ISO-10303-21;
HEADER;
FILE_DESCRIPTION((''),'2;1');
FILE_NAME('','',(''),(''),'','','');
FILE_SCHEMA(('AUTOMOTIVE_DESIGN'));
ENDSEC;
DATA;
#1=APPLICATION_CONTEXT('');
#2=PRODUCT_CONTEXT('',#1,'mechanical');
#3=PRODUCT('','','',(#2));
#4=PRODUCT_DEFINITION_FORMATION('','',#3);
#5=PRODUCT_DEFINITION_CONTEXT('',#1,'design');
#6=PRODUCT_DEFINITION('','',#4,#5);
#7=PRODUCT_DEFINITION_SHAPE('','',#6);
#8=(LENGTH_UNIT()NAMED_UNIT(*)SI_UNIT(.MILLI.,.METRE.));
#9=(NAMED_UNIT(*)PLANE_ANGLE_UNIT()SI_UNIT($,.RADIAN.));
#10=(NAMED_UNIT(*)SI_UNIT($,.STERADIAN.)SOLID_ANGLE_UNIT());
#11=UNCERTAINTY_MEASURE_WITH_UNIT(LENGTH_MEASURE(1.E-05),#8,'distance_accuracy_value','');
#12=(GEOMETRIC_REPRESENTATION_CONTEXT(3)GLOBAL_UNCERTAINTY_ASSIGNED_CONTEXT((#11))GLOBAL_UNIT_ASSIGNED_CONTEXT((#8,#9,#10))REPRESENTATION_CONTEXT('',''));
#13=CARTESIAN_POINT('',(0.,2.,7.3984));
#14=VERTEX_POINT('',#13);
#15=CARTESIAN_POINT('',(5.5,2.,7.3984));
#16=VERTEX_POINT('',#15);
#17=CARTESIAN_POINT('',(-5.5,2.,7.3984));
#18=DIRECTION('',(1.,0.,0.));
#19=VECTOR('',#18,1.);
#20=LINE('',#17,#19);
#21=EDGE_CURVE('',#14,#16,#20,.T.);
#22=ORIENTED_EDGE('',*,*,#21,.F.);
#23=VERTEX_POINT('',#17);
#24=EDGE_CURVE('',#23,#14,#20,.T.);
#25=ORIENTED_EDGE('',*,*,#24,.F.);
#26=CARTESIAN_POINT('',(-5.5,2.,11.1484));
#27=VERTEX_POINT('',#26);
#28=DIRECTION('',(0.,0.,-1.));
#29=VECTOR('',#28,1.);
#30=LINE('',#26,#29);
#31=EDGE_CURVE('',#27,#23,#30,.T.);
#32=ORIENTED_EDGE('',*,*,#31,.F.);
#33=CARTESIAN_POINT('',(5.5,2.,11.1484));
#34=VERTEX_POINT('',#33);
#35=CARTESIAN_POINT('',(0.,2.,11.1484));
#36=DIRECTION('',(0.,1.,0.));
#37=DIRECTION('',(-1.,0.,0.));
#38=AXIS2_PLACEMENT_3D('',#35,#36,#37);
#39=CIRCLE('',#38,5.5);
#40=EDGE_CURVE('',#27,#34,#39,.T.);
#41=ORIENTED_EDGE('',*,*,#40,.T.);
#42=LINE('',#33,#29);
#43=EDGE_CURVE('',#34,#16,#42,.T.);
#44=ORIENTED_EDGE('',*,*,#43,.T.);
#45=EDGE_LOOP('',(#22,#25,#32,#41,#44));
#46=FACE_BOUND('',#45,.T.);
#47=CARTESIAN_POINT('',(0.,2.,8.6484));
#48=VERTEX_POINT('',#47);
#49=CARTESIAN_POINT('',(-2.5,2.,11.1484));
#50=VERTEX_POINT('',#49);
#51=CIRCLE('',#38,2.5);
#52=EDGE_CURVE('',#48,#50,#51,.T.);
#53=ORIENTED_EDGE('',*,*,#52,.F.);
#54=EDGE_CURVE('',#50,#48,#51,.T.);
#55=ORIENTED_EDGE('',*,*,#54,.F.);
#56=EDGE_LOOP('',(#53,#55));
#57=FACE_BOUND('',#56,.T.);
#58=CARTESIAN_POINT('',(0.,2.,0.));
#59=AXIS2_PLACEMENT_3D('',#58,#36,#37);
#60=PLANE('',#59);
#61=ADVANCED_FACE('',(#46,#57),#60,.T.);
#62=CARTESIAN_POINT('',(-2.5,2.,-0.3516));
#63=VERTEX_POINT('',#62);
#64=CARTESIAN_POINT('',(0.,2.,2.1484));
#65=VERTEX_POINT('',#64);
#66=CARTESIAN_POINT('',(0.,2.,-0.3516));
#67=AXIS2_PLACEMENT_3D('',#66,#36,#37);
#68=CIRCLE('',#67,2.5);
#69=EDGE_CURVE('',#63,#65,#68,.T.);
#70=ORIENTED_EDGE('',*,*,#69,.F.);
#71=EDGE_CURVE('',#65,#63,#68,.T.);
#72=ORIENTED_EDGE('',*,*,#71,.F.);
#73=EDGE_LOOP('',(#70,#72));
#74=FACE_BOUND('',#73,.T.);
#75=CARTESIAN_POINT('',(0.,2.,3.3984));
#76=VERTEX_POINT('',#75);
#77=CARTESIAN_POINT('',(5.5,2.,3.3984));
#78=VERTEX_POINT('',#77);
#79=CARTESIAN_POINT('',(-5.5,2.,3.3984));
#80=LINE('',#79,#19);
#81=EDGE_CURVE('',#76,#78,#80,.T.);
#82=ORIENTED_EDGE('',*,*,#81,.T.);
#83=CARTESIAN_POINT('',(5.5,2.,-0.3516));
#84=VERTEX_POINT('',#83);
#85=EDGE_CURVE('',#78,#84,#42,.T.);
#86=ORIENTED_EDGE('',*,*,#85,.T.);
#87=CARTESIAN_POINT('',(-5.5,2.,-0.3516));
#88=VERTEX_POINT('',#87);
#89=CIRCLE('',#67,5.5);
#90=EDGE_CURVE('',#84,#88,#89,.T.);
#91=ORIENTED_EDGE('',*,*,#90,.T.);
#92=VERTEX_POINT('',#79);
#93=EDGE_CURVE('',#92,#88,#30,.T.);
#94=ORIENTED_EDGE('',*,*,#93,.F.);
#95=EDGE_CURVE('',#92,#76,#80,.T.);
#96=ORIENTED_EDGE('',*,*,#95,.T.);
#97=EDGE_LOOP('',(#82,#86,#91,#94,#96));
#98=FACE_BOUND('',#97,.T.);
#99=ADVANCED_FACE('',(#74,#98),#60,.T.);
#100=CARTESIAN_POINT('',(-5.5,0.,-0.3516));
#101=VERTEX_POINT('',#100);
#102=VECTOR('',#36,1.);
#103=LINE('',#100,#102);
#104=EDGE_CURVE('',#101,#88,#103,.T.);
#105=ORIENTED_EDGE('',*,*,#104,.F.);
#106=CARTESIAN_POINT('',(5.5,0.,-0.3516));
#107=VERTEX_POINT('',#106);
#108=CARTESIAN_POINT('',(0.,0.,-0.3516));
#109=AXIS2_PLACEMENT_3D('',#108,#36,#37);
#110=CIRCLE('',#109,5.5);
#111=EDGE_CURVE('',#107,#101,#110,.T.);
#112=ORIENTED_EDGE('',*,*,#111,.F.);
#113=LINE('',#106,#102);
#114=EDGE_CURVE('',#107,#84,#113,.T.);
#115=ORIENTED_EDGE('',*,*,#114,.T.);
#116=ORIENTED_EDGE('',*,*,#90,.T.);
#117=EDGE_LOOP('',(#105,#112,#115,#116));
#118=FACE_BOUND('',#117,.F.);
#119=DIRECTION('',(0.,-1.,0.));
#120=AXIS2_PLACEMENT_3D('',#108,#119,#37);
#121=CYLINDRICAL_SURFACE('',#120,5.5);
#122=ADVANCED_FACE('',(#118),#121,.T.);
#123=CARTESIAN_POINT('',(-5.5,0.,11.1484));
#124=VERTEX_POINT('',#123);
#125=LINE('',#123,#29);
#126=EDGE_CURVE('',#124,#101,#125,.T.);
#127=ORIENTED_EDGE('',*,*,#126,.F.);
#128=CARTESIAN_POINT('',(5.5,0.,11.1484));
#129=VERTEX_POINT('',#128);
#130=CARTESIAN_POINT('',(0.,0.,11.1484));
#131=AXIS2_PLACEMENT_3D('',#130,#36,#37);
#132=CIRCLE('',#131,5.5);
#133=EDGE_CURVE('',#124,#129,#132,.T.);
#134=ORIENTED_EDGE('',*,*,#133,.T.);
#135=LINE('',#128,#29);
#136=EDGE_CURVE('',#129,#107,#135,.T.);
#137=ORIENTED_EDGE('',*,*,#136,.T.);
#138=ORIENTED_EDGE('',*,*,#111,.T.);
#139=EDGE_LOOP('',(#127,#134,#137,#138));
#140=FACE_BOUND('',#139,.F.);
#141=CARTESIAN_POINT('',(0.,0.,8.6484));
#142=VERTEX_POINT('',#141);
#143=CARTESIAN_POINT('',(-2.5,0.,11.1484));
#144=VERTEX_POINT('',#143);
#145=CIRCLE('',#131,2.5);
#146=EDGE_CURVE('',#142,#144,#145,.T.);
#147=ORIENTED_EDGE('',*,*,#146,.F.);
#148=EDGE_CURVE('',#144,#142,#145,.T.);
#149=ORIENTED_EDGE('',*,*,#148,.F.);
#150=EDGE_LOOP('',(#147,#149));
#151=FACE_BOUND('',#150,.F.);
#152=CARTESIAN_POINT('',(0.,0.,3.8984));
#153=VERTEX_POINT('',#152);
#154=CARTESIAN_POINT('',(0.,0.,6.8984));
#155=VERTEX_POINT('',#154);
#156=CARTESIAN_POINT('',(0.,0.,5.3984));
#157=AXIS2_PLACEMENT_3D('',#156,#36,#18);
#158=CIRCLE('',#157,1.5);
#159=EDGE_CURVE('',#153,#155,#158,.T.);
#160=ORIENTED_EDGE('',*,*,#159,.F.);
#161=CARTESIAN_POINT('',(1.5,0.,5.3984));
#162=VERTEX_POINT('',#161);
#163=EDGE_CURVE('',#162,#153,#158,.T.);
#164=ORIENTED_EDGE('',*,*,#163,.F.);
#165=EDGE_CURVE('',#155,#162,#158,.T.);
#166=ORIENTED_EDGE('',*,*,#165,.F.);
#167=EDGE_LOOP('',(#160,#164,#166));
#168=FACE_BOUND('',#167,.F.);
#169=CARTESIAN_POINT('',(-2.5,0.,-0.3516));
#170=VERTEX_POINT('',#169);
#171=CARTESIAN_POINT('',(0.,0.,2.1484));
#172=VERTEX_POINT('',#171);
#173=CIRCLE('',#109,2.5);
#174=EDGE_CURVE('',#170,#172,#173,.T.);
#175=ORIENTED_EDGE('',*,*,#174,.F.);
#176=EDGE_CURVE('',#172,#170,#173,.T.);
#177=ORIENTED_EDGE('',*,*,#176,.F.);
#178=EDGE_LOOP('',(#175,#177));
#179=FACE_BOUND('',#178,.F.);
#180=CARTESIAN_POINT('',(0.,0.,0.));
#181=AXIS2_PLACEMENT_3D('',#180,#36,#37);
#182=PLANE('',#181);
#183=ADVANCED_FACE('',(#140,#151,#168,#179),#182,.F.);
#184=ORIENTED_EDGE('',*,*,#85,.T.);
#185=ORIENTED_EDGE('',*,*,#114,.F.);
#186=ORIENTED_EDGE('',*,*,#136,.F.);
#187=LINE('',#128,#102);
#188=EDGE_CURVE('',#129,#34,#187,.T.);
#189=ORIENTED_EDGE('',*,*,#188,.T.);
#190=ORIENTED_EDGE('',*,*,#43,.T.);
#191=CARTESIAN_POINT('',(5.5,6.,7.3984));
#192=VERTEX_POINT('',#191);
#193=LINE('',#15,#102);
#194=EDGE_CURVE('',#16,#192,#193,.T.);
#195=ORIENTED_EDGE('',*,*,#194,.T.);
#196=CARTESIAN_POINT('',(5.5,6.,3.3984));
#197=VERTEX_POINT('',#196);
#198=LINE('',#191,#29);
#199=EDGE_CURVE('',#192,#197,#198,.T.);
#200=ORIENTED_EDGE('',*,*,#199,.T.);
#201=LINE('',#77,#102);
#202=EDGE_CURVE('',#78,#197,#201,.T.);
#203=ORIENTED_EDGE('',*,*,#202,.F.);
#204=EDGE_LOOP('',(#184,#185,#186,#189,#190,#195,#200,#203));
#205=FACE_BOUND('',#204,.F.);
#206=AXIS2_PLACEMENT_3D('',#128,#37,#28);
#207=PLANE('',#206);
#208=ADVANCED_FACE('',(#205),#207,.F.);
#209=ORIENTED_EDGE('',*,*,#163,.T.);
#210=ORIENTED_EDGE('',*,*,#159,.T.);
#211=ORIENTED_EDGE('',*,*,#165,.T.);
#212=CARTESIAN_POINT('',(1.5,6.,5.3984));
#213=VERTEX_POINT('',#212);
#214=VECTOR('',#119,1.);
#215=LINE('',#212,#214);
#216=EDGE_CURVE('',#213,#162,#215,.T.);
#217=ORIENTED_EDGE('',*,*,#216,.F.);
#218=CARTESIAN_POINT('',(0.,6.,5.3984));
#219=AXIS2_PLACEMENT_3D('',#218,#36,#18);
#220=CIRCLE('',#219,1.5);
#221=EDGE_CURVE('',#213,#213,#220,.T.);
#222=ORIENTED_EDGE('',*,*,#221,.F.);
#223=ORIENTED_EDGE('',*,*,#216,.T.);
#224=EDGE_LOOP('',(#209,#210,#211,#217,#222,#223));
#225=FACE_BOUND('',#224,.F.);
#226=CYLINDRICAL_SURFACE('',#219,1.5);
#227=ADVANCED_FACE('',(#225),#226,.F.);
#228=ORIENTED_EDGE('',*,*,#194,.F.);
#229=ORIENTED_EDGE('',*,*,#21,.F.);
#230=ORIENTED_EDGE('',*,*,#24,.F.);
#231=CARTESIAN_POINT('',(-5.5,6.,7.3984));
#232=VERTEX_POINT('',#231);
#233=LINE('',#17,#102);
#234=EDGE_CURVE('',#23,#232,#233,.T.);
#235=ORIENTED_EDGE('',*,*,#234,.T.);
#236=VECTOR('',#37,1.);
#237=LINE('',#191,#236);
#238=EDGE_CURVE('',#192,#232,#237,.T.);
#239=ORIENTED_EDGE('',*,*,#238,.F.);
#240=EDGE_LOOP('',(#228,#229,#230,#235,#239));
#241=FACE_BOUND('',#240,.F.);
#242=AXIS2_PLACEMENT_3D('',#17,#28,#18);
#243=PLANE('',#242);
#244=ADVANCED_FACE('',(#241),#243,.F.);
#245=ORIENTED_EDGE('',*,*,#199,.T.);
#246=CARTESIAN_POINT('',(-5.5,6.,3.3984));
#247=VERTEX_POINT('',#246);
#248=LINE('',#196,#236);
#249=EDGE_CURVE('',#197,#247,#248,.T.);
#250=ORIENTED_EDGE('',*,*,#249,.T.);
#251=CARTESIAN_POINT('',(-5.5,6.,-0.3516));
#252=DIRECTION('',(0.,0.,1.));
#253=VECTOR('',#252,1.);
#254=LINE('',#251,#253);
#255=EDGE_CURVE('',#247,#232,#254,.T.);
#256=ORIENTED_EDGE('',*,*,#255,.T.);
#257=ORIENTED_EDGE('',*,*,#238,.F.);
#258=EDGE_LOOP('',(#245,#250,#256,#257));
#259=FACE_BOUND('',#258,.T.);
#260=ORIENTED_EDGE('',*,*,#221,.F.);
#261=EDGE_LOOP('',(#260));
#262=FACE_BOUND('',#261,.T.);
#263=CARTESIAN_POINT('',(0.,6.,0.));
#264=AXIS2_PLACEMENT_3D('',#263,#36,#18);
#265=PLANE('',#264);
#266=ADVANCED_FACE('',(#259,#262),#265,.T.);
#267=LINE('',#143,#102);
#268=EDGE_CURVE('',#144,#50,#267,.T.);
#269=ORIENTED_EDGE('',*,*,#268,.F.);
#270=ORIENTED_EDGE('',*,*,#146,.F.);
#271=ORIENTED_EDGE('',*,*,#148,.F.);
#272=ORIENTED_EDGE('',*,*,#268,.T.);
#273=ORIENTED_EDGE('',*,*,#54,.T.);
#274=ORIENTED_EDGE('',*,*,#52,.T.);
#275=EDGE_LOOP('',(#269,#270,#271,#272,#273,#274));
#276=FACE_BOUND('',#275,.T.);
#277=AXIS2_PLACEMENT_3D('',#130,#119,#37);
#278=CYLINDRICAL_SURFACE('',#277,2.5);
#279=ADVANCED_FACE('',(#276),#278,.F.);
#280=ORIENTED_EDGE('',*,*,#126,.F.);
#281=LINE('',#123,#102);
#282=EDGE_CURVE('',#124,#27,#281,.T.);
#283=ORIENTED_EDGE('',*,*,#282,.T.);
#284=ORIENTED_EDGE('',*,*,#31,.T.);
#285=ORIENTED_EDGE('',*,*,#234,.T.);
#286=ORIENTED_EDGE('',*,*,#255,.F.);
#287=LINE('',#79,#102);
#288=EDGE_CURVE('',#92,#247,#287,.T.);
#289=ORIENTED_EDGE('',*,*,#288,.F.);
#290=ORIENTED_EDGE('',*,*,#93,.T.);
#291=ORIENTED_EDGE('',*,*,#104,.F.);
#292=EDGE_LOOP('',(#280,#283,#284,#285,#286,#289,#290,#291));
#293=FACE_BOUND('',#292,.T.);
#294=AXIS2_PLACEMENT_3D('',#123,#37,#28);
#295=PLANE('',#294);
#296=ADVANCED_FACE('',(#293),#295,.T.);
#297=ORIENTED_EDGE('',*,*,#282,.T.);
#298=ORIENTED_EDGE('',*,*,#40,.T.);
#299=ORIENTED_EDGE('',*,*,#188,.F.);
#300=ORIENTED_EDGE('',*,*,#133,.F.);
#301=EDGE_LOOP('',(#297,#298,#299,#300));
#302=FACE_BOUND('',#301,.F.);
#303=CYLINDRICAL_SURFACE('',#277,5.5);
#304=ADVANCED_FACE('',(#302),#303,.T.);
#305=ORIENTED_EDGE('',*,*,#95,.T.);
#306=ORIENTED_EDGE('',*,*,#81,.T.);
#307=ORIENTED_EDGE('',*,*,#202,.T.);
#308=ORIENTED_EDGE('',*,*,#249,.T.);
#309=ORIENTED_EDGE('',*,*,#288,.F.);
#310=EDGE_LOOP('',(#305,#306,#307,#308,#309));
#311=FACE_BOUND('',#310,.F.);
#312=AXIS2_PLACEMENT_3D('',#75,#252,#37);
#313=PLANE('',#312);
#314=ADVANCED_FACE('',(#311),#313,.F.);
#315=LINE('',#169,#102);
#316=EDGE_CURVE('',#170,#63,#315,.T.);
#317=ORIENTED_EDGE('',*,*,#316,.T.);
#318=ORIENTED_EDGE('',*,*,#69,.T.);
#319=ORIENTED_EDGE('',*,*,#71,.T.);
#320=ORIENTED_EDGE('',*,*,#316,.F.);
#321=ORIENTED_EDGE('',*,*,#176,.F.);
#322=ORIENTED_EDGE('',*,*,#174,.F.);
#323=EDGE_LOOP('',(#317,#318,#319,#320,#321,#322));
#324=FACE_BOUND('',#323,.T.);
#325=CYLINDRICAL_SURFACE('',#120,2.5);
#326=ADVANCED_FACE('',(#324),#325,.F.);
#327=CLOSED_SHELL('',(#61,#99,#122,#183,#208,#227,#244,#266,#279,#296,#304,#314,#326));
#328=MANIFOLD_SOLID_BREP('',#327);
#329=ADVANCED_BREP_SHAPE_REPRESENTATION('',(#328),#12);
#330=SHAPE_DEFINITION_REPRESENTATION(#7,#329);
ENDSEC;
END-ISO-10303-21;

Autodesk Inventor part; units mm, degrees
ref_plane "YZ Plane" through (0, 0, 0) normal (1, 0, 0) x (0, 1, 0)
ref_plane "XZ Plane" through (0, 0, 0) normal (0, 1, 0) x (-1, 0, 0)
ref_plane "XY Plane" through (0, 0, 0) normal (0, 0, 1) x (1, 0, 0)
sketch "Sketch1" plane through (0, 0, 0) normal (0, 1, 0) x (-1, 0, 0)
  circle A0 centre (0, 11.1484) radius 5.5
  line L0 (0, 11.1484) -> (0, -0.3516)
  circle A1 centre (0, -0.3516) radius 5.5
  circle A2 centre (0, 11.1484) radius 2.5
  circle A3 centre (0, -0.3516) radius 2.5
  line L1 (5.5, 11.1484) -> (5.5, -0.3516)
  line L2 (-5.5, 11.1484) -> (-5.5, -0.3516)
  point P0 (0, 0)
  dimension "d0" = 11
  dimension "d1" = 11.5
  dimension "d2" = 11
  dimension "d3" = 5
  dimension "d4" = 5
extrude "Extrusion1" add sketch "Sketch1" along normal blind 2
sketch "Sketch2" plane through (0, 2, 0) normal (0, 1, 0) x (1, 0, 0)
  circle A0 centre (0, -11.1484) radius 2.5 projected
  line L0 (0, -8.6484) -> (0, -2.1484)
  circle A1 centre (0, 0.3516) radius 2.5 projected
  line L1 (-5.5, 0.3516) -> (-5.5, -11.1484) projected
  line L2 (5.5, -3.3984) -> (-5.5, -3.3984)
  line L3 (-5.5, -3.3984) -> (-5.5, -7.3984)
  line L4 (-5.5, -7.3984) -> (5.5, -7.3984)
  line L5 (5.5, -7.3984) -> (5.5, -3.3984)
  line L6 (5.5, -3.3984) -> (-5.5, -7.3984) construction
  line L7 (-5.5, -3.3984) -> (5.5, -7.3984) construction
  point P0 (0, 0)
  point P1 (0, -5.3984)
  dimension "d7" = 4
extrude "Extrusion2" add sketch "Sketch2" along normal blind 4 contours L4 L1 L2 L0 | L0 L2 L5 L4
sketch "Sketch3" plane through (0, 6, 0) normal (0, 1, 0) x (1, 0, 0)
  line L0 (5.5, -3.3984) -> (-5.5, -3.3984) projected
  line L1 (-5.5, -3.3984) -> (-5.5, -7.3984) projected
  line L2 (-5.5, -7.3984) -> (5.5, -7.3984) projected
  line L3 (5.5, -7.3984) -> (5.5, -3.3984) projected
  circle A0 centre (0, -5.3984) radius 1.5
  point P0 (0, 0)
  dimension "d14" = 3
extrude "Extrusion3" cut sketch "Sketch3" against normal blind 16.6375 contours A0
properties part number "bearing plate"
